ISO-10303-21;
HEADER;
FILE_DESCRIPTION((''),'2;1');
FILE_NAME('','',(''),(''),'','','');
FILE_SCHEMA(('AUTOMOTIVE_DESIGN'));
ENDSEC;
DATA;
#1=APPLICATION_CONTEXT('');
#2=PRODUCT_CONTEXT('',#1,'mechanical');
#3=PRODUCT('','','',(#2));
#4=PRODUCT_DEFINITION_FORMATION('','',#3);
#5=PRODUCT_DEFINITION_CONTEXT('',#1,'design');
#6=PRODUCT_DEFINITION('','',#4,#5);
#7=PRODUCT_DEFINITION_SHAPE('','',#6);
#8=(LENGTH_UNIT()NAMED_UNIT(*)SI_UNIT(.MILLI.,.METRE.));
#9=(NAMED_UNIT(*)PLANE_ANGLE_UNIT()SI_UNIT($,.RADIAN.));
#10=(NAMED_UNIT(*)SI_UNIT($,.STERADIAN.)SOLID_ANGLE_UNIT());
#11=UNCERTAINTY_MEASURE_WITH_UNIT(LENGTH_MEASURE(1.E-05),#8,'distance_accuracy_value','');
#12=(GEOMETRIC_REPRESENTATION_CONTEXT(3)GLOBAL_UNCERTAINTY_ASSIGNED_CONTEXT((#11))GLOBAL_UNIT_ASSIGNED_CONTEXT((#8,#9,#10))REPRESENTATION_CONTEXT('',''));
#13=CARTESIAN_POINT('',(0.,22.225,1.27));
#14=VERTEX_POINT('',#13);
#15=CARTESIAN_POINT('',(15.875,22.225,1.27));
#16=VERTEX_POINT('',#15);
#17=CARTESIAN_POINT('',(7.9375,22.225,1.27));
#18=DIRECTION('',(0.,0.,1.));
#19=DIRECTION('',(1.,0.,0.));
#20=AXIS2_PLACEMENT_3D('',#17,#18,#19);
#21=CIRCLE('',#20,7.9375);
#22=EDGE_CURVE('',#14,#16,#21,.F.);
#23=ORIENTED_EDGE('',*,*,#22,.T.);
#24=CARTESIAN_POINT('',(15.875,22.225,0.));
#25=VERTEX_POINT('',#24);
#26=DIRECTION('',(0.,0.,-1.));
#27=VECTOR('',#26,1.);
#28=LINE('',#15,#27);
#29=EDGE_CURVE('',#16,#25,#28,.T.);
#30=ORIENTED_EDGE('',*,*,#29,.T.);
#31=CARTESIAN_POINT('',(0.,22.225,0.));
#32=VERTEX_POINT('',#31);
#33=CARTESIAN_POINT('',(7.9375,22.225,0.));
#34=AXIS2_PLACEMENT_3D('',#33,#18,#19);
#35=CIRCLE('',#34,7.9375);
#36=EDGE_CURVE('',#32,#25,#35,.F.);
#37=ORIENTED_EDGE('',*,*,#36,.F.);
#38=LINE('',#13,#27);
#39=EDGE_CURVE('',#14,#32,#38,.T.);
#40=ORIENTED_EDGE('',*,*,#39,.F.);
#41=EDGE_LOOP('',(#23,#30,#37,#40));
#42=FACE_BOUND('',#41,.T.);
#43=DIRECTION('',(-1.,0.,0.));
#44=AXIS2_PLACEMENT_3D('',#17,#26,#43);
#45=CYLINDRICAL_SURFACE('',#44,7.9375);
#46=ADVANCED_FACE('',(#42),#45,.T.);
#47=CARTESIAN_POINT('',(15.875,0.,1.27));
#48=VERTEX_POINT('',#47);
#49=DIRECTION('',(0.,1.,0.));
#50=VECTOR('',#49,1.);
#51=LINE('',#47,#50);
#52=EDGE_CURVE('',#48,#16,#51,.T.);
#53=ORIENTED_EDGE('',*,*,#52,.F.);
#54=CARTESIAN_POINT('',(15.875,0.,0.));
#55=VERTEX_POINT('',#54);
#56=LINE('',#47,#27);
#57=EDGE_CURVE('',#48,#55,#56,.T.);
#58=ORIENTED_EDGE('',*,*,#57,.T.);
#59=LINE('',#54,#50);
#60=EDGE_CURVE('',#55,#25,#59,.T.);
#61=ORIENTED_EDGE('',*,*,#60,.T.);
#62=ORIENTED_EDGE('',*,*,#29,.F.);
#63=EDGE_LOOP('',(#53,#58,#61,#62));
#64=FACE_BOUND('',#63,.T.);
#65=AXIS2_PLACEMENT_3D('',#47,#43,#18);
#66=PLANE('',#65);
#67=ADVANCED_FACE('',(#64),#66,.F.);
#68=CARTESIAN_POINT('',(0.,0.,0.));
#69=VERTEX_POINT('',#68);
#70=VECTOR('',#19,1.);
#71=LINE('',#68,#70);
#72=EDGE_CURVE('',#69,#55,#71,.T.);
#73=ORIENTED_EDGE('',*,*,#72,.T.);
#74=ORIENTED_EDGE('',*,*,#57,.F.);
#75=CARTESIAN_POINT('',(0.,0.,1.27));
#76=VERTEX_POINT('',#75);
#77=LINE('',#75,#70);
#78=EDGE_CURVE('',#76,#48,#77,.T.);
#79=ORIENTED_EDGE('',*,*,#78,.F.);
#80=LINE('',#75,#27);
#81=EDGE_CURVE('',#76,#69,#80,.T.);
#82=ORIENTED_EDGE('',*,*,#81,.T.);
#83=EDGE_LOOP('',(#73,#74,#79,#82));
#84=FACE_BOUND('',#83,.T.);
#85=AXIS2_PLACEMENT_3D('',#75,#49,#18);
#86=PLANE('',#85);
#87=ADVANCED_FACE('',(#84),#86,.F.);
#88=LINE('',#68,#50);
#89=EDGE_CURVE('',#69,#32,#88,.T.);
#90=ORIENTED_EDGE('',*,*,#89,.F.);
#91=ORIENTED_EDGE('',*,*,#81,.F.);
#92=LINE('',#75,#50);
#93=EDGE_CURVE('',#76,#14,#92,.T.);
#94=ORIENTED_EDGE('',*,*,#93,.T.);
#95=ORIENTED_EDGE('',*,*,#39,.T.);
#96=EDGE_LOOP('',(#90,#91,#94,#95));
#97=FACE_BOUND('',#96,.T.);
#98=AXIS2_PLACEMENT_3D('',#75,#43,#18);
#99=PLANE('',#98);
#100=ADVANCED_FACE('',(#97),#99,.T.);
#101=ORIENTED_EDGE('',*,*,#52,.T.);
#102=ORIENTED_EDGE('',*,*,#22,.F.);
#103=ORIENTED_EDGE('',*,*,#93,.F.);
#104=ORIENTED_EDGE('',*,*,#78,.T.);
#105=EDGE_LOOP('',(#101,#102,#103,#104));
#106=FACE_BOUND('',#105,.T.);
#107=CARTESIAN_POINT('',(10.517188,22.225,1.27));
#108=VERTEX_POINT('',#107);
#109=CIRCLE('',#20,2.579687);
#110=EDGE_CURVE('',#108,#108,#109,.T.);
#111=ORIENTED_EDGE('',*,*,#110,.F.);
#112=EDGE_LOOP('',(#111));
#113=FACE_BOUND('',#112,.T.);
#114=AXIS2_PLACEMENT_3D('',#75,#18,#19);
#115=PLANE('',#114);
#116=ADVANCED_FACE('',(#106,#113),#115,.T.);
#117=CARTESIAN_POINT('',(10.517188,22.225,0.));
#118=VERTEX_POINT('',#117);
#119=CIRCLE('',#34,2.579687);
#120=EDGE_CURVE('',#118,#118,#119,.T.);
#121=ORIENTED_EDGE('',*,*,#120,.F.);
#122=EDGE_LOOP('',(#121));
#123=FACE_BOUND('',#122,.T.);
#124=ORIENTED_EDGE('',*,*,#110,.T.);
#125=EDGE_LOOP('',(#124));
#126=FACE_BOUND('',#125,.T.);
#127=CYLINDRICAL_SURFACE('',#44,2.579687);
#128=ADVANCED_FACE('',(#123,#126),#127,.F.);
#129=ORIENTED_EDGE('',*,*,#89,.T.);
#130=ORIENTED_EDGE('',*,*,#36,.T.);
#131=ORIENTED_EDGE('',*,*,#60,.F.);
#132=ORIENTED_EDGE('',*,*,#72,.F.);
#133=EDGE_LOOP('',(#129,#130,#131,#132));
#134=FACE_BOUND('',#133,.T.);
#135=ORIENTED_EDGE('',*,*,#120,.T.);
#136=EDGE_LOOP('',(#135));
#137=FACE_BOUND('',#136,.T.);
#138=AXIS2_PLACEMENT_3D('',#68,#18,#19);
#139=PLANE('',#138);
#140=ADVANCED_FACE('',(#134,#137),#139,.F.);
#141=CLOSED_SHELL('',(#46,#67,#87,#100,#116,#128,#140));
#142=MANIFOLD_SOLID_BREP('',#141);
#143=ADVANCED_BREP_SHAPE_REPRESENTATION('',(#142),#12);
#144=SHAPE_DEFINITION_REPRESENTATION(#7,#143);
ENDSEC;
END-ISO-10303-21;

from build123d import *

# Parameters (mm, degrees)
SKETCH2_R           = 2.5796875
BOSS_EXTRUDE1_DEPTH = 1.27


with BuildPart() as part:
    # Sketch2 → Boss-Extrude1 (new body)
    with BuildSketch(Plane.XY):
        with BuildLine():
            ThreePointArc((0, 22.225), (7.9375, 30.1625), (15.875, 22.225))
            Line((15.875, 22.225), (15.875, 0))
            Line((15.875, 0), (0, 0))
            Line((0, 0), (0, 22.225))
        make_face()
        with Locations((7.9375, 22.225)):
            Circle(SKETCH2_R, mode=Mode.SUBTRACT)
    extrude(amount=BOSS_EXTRUDE1_DEPTH)


solid = part.part
